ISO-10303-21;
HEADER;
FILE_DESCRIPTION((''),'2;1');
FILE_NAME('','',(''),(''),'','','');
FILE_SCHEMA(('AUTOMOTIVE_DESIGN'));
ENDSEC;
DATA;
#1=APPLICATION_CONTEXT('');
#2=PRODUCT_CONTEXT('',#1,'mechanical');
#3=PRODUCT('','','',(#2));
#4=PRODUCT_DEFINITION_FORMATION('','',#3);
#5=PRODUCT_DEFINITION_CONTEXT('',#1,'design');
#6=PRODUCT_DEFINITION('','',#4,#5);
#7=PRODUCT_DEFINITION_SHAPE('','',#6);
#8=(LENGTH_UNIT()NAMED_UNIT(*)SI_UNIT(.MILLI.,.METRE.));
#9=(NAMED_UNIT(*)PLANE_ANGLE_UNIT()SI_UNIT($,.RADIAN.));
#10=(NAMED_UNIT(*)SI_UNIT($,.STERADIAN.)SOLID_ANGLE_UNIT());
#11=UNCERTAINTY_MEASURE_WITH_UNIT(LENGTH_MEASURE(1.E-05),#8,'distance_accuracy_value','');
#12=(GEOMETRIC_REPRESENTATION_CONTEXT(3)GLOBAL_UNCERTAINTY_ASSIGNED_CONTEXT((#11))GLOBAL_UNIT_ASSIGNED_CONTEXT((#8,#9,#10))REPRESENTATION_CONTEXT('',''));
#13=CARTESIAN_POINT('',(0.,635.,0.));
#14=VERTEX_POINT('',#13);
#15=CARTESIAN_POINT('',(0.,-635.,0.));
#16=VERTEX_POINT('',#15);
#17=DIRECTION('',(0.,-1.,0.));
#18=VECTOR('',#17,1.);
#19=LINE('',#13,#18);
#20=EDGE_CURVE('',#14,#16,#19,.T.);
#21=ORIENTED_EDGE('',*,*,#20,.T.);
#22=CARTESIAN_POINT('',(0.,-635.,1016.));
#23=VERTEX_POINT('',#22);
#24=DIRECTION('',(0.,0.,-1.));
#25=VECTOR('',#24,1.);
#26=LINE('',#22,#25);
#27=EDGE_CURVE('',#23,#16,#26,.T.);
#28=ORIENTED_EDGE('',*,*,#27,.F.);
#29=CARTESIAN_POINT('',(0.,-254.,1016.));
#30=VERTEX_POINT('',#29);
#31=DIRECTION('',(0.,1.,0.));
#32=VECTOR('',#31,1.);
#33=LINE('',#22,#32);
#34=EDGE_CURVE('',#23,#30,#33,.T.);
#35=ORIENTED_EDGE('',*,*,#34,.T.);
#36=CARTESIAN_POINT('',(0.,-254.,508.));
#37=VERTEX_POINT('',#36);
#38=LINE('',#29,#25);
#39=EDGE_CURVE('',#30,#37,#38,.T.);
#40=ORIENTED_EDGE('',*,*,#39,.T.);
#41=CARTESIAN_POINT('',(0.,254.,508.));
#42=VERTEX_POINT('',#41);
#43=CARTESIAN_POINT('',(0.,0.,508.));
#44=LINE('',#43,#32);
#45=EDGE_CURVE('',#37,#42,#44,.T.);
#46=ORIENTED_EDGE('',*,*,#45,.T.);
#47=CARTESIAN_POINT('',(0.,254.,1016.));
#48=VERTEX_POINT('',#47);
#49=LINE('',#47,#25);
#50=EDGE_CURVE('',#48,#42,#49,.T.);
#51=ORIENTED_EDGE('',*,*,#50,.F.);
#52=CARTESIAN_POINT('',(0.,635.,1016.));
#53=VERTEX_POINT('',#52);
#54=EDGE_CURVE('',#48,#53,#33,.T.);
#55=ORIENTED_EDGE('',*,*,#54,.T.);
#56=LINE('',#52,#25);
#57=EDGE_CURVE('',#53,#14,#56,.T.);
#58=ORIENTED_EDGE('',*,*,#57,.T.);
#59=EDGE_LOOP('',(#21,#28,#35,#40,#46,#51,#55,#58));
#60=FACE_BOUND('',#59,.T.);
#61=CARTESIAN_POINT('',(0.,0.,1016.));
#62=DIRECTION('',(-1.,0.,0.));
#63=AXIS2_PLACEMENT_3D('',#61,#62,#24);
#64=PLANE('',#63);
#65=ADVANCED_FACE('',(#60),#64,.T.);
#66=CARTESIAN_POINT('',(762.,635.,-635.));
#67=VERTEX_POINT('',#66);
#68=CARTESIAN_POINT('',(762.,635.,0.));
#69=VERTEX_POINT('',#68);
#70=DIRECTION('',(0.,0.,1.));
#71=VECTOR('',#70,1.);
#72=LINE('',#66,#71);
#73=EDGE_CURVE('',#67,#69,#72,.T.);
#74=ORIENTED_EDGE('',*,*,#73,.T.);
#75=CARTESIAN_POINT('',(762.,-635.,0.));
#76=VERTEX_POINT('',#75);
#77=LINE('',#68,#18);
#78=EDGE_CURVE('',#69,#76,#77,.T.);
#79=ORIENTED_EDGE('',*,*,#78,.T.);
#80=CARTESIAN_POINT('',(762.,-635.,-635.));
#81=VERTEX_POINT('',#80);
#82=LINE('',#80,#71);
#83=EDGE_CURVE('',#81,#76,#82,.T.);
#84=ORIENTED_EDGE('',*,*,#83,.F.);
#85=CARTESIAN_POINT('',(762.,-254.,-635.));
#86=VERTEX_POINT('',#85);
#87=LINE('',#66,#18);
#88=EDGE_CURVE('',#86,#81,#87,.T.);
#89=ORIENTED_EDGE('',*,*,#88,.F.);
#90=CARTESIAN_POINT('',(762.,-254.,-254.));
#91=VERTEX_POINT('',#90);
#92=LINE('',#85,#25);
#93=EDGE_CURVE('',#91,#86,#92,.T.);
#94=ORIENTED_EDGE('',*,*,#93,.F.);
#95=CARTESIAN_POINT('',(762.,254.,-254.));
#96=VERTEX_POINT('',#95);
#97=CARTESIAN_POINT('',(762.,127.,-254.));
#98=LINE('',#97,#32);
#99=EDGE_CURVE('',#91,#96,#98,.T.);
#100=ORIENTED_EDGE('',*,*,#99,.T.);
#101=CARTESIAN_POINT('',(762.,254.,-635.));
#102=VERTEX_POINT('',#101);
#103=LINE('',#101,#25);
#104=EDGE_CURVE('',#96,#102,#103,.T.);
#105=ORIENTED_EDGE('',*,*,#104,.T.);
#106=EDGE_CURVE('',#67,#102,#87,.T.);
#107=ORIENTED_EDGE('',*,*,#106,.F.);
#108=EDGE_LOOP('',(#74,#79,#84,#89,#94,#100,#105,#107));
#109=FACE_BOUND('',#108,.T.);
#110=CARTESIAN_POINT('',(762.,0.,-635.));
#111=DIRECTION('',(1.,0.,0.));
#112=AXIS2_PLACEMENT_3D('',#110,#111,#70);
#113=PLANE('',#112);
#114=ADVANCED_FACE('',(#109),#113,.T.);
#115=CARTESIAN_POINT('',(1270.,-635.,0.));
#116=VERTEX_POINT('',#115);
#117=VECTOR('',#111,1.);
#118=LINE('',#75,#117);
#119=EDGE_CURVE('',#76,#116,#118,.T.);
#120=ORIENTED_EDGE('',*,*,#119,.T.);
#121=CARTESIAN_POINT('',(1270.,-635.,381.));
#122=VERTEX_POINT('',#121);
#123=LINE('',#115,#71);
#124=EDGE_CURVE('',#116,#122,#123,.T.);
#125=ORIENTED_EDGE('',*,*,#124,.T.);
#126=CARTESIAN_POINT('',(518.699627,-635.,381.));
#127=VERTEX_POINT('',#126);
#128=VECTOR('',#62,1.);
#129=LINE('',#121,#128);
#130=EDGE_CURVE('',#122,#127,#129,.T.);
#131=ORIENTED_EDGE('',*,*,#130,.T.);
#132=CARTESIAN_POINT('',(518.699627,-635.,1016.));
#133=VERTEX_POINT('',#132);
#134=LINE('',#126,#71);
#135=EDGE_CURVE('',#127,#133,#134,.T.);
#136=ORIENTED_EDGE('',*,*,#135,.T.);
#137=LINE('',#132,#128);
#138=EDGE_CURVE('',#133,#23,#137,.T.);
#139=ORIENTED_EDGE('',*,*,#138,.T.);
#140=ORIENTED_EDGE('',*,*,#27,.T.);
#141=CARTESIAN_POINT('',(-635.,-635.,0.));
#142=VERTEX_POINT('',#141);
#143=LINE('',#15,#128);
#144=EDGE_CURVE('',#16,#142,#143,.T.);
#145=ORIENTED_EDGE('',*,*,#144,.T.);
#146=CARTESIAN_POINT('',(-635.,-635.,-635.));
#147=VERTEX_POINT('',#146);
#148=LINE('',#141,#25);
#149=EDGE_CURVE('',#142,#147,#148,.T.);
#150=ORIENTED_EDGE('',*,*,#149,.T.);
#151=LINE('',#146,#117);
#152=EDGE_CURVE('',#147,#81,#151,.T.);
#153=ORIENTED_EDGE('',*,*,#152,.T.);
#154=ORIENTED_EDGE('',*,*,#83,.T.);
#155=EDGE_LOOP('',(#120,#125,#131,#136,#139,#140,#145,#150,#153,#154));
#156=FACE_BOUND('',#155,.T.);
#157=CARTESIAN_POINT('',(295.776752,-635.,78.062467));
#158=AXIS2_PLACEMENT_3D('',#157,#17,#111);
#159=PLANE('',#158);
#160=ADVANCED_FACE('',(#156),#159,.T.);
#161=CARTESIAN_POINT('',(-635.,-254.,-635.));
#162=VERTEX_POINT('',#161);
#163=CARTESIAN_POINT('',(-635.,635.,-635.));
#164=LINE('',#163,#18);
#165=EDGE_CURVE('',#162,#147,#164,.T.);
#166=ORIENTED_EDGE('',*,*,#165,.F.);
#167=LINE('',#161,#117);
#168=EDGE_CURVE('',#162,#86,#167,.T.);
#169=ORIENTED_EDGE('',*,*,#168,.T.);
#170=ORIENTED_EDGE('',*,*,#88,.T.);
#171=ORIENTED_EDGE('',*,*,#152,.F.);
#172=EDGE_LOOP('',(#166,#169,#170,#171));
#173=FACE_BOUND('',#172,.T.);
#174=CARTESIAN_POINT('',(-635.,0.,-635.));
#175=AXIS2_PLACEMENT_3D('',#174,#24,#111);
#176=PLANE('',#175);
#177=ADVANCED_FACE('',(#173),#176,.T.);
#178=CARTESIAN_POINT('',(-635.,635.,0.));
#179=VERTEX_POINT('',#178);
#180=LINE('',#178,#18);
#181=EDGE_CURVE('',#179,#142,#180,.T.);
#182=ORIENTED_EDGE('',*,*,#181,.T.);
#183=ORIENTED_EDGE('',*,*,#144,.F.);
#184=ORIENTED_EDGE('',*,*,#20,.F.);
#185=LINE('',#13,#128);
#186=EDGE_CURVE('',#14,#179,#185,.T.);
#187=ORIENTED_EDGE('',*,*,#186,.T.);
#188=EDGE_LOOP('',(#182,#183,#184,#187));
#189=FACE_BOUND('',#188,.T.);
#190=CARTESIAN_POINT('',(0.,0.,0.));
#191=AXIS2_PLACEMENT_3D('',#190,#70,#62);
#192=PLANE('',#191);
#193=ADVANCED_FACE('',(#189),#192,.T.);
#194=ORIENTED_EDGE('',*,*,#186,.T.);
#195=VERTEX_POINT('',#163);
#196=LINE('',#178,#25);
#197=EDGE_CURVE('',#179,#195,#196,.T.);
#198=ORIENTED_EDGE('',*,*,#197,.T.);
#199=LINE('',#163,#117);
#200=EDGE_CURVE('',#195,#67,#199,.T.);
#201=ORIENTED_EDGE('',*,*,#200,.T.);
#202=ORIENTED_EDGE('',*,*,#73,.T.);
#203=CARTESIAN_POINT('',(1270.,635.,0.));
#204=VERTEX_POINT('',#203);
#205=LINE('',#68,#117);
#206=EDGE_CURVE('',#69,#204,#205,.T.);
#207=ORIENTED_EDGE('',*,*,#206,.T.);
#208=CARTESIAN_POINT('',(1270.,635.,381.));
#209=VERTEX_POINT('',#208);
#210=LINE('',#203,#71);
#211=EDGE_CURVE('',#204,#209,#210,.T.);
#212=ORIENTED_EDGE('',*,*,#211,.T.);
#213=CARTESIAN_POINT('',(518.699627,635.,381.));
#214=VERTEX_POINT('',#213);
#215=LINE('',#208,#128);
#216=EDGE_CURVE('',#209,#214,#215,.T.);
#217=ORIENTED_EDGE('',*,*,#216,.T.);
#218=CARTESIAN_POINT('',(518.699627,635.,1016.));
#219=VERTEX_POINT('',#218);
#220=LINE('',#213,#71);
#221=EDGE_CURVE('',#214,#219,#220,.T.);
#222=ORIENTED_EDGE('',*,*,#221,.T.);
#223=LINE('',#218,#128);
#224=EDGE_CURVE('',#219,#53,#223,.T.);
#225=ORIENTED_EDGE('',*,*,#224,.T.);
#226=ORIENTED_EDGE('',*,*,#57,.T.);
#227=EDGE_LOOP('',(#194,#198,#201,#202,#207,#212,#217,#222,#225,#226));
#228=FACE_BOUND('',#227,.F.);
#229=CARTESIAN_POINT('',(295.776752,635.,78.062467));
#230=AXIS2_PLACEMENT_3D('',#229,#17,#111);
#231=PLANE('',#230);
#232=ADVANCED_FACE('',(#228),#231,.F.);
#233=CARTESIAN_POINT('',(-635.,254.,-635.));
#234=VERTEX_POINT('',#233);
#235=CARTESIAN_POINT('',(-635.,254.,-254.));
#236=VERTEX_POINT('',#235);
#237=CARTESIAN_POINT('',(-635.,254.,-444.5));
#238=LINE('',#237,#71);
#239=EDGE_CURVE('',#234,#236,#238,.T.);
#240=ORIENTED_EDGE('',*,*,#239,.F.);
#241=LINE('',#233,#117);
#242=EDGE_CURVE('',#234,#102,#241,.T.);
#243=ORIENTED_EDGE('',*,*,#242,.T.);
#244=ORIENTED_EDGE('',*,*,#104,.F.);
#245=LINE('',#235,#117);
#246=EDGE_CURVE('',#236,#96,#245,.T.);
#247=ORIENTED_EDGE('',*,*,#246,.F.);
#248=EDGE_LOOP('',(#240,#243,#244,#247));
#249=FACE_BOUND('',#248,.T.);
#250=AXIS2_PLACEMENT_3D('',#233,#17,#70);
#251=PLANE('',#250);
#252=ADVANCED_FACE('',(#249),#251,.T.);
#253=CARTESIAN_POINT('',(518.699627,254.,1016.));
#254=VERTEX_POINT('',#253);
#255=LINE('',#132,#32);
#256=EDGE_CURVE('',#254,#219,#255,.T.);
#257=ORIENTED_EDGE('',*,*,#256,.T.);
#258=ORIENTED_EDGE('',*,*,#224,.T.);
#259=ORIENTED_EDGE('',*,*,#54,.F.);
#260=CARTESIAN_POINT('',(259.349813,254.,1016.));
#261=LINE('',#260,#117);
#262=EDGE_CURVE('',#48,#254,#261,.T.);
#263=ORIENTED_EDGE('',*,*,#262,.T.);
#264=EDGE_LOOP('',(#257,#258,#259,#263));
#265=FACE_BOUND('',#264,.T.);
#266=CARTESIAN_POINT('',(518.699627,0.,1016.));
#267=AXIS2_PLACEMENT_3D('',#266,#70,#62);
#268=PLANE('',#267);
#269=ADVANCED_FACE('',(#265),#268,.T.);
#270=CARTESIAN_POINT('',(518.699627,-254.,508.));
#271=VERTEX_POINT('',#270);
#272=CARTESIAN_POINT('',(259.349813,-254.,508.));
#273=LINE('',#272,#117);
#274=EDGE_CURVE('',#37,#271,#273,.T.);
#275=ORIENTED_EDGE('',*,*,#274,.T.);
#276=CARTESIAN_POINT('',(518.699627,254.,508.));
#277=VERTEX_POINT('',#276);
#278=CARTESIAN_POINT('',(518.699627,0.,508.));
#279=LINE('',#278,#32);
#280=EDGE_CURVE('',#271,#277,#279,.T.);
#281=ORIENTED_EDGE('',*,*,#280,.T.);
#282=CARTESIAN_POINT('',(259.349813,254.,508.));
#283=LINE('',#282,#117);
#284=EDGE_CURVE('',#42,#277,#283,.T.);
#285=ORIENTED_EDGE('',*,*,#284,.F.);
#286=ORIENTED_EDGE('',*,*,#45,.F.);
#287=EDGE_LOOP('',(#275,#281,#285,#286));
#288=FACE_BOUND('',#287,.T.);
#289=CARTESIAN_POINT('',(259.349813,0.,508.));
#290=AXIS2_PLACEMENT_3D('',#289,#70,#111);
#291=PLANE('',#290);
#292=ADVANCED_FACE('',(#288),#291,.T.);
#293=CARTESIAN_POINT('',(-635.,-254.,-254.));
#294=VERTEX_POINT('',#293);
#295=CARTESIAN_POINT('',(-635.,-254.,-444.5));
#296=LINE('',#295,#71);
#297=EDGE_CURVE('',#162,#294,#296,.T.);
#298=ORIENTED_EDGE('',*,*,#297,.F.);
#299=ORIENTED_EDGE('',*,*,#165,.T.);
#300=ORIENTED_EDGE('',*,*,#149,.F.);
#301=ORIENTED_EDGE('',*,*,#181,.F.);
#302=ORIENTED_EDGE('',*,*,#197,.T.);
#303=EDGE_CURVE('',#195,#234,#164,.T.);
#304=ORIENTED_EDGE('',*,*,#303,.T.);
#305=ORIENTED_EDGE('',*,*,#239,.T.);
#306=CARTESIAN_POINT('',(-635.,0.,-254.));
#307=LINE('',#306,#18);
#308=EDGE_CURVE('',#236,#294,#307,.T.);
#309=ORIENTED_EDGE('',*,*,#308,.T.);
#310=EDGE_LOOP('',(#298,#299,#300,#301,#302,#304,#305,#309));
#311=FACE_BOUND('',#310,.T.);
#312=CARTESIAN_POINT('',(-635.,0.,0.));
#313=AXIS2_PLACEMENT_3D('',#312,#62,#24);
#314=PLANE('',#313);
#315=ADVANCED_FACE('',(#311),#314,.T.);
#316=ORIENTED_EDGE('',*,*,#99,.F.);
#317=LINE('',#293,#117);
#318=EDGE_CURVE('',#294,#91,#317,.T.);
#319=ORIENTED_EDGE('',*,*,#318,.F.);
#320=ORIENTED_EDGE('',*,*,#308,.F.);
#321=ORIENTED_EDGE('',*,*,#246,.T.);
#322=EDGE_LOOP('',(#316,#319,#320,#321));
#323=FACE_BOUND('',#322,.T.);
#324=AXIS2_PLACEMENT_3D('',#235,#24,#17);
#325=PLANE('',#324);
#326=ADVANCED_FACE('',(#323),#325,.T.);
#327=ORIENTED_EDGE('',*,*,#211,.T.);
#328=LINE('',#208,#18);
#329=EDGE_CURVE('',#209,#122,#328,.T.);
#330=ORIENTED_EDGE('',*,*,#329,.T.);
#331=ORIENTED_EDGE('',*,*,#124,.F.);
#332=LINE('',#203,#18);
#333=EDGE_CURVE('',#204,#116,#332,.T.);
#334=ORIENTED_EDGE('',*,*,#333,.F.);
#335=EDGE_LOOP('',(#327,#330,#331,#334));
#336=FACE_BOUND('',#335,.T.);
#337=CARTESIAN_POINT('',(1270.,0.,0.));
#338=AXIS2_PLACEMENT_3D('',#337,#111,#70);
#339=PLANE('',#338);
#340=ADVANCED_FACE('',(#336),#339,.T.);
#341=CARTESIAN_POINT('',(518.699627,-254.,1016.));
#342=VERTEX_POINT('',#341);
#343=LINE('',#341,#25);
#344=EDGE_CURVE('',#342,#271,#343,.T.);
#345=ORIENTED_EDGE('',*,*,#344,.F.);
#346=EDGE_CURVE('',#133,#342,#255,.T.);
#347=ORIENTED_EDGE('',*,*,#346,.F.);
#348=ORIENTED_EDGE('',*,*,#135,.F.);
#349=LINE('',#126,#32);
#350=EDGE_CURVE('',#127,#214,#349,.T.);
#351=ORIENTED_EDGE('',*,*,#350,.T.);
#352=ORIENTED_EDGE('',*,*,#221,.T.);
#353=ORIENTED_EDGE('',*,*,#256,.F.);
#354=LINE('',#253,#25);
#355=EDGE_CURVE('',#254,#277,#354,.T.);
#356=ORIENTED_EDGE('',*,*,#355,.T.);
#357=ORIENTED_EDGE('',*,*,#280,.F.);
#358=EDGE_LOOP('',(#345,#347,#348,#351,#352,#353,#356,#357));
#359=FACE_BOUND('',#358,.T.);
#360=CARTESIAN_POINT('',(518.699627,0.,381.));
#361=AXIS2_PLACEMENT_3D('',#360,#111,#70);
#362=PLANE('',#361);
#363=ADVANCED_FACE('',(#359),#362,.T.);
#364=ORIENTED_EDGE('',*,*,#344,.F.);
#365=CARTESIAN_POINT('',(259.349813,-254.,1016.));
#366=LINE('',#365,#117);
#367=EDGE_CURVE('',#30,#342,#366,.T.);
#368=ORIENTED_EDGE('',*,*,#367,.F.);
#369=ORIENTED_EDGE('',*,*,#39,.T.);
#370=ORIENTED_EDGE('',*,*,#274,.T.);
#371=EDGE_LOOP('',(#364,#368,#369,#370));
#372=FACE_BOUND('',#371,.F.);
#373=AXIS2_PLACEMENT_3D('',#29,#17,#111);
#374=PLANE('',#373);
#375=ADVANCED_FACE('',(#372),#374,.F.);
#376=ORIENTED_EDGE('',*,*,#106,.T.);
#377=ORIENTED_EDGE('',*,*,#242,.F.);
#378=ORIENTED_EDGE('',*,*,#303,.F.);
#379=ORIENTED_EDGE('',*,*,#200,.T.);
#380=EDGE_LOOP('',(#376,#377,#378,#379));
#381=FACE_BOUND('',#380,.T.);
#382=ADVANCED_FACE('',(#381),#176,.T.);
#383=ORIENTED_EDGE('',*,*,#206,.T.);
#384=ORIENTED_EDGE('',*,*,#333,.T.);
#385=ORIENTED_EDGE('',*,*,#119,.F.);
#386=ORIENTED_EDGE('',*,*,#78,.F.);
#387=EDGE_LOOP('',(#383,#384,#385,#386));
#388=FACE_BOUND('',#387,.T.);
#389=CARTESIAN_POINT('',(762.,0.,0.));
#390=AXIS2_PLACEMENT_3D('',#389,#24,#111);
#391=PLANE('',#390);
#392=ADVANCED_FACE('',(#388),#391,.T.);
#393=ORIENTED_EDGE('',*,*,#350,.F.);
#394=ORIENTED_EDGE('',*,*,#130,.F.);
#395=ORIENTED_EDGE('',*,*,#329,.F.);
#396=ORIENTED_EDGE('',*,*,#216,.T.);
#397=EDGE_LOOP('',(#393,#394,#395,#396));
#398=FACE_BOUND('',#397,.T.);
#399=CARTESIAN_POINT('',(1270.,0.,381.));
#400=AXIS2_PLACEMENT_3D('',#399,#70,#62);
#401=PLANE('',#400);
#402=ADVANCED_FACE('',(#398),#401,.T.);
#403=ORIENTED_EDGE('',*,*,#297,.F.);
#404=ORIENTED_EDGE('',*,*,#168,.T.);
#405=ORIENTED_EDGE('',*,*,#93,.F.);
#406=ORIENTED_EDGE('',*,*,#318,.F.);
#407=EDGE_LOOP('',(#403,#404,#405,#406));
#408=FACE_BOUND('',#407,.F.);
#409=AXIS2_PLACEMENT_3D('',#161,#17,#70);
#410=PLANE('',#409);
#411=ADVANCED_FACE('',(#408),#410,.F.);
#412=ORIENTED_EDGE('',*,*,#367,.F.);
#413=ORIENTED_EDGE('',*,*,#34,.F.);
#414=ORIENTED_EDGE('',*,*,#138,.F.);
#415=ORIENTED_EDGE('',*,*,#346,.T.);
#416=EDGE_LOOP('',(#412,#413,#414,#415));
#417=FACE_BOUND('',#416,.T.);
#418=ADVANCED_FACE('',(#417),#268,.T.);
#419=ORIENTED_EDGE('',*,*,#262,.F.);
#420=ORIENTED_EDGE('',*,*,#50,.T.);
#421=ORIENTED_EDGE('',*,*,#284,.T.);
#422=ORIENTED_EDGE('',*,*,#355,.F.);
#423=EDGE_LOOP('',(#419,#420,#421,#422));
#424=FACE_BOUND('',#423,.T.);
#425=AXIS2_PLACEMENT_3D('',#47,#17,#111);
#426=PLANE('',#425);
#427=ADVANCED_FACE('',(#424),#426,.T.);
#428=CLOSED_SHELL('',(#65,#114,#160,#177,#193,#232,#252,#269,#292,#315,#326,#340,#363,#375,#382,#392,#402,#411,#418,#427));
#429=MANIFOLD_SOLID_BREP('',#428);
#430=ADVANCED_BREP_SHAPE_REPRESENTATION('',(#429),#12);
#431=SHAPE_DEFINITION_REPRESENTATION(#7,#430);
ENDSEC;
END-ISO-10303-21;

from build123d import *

# Parameters (mm, degrees)
F1_DEPTH = 635
F2_W     = 518.6996267823
F2_H     = 508
F3_DEPTH = 508
F4_W     = 508
F4_H     = 381
F5_DEPTH = 1905.001


with BuildPart() as f1:
    # F0 (on Front) → F1 (new body, symmetric)
    with BuildSketch(Plane.XZ):
        Polygon((0, 1016), (0, 0), (-635, 0), (-635, -635), (762, -635), (762, 0), (1270, 0), (1270, 381), (518.6996267823, 381), (518.6996267823, 1016), align=None)
    extrude(amount=F1_DEPTH, both=True)

    # F2 (on face) → F3 (cut)
    with BuildSketch(Plane.XY.offset(1016)):
        with Locations((259.3498133912, 0)):
            Rectangle(F2_W, F2_H)
    extrude(amount=-F3_DEPTH, mode=Mode.SUBTRACT)

    # F4 (on face) → F5 (cut, through all)
    with BuildSketch(Plane(origin=(-635, 0, 0), x_dir=(0, -1, 0), z_dir=(-1, 0, 0))):
        with Locations((0, -444.5)):
            Rectangle(F4_W, F4_H)
    extrude(amount=-F5_DEPTH, mode=Mode.SUBTRACT)


solid = f1.part
